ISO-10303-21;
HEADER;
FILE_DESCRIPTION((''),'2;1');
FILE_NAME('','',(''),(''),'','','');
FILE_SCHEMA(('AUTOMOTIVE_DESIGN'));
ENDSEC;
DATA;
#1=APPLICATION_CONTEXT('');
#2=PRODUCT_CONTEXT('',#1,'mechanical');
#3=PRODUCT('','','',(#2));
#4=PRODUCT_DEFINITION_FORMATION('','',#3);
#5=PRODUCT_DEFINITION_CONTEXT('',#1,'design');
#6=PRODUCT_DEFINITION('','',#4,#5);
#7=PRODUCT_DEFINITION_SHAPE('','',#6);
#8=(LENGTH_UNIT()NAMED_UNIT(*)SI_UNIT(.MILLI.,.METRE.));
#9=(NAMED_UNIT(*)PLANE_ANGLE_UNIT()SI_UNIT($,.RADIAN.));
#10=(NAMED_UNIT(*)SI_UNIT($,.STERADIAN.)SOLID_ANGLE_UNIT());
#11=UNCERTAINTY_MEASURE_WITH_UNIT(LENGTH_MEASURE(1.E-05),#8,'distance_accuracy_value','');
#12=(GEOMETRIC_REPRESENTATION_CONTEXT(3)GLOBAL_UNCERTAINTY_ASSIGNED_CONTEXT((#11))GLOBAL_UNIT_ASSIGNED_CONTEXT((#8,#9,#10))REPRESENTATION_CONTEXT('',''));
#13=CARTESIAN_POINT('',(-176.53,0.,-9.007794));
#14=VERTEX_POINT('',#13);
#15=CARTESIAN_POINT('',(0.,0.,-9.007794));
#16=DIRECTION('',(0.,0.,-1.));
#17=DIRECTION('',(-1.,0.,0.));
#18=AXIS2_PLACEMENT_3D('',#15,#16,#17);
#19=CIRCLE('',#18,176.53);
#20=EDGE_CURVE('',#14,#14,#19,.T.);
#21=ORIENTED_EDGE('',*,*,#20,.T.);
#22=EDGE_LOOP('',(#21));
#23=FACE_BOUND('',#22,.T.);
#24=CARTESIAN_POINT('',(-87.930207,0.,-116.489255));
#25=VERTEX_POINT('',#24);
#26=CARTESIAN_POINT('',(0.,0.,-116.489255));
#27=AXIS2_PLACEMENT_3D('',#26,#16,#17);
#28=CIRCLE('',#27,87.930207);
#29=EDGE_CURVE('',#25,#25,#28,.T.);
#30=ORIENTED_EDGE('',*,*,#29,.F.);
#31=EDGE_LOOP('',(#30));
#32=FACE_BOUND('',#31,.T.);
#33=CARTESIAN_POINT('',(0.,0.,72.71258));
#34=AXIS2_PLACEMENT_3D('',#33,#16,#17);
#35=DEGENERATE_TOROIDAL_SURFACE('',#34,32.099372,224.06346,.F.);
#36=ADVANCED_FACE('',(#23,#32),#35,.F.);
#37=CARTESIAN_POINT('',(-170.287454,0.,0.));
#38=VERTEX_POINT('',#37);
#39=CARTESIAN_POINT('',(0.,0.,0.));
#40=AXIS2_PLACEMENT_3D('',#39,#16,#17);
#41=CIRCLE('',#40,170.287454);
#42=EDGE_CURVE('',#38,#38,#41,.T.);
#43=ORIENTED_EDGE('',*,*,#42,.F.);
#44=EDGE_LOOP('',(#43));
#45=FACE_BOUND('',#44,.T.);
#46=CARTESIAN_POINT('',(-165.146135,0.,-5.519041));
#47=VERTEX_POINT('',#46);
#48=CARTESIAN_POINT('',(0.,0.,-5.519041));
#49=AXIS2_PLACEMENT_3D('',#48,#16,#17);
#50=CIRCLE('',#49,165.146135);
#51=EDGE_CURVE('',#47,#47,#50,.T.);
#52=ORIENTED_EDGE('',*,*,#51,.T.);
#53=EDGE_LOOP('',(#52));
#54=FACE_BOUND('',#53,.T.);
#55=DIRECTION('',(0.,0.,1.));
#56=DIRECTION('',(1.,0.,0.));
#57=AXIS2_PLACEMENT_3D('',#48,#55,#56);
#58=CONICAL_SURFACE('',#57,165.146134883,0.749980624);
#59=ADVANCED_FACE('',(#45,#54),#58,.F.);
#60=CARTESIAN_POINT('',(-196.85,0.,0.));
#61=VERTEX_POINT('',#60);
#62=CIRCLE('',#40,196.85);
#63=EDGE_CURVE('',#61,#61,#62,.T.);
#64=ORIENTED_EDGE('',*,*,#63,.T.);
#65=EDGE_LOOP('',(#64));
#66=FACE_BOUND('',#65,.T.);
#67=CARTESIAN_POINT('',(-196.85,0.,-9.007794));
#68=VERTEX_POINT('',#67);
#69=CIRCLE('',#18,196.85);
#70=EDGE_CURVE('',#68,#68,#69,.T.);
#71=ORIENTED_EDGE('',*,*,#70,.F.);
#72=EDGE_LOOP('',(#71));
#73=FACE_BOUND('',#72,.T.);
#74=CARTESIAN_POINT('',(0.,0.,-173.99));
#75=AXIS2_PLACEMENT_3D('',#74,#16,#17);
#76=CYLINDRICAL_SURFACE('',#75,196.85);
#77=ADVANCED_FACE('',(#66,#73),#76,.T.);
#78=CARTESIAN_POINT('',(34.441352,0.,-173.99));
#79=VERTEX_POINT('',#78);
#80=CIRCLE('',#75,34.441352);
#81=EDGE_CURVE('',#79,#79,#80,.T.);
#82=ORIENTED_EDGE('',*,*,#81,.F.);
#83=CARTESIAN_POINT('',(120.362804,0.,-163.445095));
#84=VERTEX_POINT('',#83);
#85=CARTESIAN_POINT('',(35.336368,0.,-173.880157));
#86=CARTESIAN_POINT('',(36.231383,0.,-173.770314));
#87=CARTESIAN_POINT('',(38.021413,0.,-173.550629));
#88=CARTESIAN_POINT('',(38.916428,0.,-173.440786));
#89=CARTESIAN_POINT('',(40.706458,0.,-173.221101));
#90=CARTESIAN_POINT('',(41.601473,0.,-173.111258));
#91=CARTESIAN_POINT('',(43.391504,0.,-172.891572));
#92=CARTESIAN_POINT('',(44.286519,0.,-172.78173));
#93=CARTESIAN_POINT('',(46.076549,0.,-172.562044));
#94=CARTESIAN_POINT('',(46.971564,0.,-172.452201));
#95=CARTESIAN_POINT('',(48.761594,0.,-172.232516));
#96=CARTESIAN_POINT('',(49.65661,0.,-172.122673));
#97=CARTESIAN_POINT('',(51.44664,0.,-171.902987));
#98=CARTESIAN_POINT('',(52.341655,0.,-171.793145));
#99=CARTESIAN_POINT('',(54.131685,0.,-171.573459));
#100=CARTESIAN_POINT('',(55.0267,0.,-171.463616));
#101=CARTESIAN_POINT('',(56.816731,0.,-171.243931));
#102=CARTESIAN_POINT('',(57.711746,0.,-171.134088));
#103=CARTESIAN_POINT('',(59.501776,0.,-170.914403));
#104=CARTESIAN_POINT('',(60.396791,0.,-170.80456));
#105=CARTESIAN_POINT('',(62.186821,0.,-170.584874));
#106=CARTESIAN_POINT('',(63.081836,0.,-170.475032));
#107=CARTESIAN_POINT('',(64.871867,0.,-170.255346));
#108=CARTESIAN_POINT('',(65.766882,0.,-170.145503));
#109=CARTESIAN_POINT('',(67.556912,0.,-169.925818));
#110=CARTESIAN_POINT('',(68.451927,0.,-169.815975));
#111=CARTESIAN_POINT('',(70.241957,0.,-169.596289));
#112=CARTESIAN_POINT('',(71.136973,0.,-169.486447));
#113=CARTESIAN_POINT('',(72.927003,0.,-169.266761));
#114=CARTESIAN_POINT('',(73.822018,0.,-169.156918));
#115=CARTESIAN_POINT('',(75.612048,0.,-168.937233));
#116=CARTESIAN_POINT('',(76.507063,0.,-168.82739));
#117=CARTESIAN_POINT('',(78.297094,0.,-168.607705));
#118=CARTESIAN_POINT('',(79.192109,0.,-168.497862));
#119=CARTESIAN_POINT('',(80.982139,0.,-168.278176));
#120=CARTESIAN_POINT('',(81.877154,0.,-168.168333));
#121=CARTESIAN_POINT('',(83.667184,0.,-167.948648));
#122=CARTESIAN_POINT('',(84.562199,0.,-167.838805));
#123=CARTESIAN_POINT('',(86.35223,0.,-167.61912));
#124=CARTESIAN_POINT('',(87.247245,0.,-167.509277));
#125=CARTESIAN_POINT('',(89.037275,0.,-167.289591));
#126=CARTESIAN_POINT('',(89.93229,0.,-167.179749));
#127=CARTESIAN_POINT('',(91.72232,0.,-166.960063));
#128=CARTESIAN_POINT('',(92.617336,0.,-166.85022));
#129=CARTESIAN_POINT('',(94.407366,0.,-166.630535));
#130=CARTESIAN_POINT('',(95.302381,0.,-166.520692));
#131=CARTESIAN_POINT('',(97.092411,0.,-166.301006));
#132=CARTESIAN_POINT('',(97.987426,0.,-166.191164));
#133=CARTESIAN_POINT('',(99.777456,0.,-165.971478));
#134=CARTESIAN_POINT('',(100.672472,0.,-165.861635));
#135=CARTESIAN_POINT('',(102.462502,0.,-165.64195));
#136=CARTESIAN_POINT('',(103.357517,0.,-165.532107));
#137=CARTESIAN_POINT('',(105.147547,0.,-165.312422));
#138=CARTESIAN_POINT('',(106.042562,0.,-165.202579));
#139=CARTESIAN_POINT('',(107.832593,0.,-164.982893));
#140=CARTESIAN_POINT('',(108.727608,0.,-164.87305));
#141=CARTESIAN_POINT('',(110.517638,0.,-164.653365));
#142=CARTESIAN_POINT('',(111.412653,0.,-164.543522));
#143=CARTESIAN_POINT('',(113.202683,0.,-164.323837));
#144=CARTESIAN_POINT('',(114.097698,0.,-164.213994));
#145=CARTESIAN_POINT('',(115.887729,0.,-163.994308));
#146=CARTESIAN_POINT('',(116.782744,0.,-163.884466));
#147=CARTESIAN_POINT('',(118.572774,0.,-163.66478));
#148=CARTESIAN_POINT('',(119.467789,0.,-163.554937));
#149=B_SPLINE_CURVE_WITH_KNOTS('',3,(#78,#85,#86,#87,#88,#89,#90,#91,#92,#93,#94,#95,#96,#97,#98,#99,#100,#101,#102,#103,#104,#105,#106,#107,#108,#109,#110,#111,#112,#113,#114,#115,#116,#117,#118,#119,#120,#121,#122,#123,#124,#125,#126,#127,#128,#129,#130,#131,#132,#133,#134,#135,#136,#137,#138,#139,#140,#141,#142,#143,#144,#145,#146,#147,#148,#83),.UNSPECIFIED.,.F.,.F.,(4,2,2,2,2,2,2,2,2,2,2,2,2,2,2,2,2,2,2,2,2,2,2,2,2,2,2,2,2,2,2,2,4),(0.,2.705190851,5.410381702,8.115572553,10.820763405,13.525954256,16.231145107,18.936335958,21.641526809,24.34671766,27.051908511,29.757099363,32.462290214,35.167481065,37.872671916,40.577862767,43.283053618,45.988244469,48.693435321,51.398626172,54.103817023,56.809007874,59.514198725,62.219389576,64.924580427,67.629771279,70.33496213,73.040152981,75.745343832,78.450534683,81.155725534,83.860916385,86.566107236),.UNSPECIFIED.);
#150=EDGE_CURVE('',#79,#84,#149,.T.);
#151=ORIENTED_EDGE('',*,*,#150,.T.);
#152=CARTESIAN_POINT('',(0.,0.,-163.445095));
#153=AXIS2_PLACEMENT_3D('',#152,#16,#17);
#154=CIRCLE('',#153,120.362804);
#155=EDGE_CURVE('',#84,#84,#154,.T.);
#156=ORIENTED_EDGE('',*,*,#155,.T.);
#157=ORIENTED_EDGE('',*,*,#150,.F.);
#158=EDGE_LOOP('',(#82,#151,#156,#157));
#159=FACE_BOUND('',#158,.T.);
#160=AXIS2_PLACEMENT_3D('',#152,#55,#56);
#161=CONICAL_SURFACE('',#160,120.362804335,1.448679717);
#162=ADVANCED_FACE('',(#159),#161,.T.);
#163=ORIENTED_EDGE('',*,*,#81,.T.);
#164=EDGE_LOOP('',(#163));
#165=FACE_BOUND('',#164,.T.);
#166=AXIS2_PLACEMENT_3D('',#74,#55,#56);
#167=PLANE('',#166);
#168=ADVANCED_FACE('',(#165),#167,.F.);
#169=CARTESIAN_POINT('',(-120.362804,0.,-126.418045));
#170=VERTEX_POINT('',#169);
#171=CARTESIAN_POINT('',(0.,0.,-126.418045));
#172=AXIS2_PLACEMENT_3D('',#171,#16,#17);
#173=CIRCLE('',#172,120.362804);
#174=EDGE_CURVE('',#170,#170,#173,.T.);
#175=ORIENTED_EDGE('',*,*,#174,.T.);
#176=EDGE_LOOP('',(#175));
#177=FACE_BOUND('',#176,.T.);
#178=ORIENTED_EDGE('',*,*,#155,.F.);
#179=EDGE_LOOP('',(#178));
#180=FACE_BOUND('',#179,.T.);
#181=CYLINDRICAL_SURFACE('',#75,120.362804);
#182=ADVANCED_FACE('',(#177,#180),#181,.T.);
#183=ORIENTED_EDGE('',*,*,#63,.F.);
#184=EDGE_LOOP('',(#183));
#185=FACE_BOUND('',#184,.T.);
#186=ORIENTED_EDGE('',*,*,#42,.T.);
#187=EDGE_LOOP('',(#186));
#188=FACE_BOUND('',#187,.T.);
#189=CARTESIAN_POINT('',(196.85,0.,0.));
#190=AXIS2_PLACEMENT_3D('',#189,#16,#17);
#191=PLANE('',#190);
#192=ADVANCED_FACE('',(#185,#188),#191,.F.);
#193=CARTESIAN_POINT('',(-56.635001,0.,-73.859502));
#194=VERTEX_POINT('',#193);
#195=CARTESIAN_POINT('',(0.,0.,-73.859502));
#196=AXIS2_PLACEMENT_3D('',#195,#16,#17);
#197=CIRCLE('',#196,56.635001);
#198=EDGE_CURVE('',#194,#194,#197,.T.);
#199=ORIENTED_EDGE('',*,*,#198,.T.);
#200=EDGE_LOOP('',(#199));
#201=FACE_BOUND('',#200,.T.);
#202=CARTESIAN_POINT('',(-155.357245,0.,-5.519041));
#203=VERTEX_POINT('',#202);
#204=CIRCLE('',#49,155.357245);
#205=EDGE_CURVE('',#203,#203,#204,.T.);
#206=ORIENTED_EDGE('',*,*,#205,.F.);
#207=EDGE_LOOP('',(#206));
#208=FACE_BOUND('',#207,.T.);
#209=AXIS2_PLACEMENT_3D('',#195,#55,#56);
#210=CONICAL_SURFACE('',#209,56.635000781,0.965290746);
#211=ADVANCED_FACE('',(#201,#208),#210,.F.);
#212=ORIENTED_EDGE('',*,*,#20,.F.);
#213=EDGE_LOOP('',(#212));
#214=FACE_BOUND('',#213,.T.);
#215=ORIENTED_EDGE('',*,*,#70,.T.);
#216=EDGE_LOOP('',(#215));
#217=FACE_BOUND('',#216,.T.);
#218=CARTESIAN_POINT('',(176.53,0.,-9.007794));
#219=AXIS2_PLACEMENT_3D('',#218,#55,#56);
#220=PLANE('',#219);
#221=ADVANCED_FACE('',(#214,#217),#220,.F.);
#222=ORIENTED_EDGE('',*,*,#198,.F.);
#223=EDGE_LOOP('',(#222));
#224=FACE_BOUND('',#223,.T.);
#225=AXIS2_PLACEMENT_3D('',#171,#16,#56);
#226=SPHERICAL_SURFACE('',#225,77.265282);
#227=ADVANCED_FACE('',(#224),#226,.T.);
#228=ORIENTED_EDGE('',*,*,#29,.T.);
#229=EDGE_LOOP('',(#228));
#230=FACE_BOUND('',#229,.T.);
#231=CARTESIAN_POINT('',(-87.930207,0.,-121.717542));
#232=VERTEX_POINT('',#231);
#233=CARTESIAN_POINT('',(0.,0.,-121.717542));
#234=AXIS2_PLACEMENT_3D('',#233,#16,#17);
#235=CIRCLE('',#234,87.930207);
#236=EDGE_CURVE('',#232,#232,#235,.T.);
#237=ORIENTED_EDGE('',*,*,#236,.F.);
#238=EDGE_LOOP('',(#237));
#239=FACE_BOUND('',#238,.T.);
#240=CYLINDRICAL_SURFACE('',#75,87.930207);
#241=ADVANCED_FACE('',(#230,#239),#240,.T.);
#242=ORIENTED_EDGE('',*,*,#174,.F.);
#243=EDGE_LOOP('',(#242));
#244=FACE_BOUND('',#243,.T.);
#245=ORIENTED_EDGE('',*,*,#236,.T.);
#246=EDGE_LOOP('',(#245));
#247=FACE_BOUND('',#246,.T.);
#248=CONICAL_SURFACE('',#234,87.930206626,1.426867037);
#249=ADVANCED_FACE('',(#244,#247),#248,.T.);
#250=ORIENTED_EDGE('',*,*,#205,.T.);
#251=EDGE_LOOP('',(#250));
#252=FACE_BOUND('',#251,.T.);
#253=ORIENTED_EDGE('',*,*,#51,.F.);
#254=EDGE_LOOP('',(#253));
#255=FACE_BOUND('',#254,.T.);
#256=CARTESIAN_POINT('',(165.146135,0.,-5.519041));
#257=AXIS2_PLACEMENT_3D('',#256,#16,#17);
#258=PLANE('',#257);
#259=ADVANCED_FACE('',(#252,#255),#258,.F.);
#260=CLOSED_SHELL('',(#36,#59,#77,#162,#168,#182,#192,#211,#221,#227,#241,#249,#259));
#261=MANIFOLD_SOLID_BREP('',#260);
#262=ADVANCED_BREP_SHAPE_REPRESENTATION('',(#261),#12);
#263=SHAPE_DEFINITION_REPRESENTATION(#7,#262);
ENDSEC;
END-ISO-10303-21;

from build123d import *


with BuildPart() as part:
    # Sketch1 → Revolve1 (revolve)
    with BuildSketch(Plane(origin=(0, 0, 0), x_dir=(1, 0, 0), z_dir=(0, 1, 0)), mode=Mode.PRIVATE) as revolve1_sk:
        with BuildLine():
            Line((0, 173.99), (34.441352467, 173.99))
            Line((34.441352467, 173.99), (120.362804335, 163.445094544))
            Line((120.362804335, 163.445094544), (120.362804335, 126.418045415))
            Line((120.362804335, 126.418045415), (87.930206626, 121.717541752))
            Line((87.930206626, 121.717541752), (87.930206626, 116.489255163))
            ThreePointArc((87.930206626, 116.489255163), (140.794360125, 69.808266343), (176.53, 9.007793606))
            Line((176.53, 9.007793606), (196.85, 9.007793606))
            Line((196.85, 9.007793606), (196.85, 0))
            Line((196.85, 0), (170.287454318, 0))
            Line((170.287454318, 0), (165.146134883, 5.519041131))
            Line((165.146134883, 5.519041131), (155.357244635, 5.519041131))
            Line((155.357244635, 5.519041131), (56.635000781, 73.859502497))
            ThreePointArc((56.635000781, 73.859502497), (30.894765948, 55.598294044), (0, 49.152763773))
            Line((0, 49.152763773), (0, 173.99))
        make_face()
    revolve(revolve1_sk.sketch.rotate(Axis((0, 0, -173.99), (0, 0, 1)), 180), axis=Axis((0, 0, -173.99), (0, 0, 1)))


solid = part.part
